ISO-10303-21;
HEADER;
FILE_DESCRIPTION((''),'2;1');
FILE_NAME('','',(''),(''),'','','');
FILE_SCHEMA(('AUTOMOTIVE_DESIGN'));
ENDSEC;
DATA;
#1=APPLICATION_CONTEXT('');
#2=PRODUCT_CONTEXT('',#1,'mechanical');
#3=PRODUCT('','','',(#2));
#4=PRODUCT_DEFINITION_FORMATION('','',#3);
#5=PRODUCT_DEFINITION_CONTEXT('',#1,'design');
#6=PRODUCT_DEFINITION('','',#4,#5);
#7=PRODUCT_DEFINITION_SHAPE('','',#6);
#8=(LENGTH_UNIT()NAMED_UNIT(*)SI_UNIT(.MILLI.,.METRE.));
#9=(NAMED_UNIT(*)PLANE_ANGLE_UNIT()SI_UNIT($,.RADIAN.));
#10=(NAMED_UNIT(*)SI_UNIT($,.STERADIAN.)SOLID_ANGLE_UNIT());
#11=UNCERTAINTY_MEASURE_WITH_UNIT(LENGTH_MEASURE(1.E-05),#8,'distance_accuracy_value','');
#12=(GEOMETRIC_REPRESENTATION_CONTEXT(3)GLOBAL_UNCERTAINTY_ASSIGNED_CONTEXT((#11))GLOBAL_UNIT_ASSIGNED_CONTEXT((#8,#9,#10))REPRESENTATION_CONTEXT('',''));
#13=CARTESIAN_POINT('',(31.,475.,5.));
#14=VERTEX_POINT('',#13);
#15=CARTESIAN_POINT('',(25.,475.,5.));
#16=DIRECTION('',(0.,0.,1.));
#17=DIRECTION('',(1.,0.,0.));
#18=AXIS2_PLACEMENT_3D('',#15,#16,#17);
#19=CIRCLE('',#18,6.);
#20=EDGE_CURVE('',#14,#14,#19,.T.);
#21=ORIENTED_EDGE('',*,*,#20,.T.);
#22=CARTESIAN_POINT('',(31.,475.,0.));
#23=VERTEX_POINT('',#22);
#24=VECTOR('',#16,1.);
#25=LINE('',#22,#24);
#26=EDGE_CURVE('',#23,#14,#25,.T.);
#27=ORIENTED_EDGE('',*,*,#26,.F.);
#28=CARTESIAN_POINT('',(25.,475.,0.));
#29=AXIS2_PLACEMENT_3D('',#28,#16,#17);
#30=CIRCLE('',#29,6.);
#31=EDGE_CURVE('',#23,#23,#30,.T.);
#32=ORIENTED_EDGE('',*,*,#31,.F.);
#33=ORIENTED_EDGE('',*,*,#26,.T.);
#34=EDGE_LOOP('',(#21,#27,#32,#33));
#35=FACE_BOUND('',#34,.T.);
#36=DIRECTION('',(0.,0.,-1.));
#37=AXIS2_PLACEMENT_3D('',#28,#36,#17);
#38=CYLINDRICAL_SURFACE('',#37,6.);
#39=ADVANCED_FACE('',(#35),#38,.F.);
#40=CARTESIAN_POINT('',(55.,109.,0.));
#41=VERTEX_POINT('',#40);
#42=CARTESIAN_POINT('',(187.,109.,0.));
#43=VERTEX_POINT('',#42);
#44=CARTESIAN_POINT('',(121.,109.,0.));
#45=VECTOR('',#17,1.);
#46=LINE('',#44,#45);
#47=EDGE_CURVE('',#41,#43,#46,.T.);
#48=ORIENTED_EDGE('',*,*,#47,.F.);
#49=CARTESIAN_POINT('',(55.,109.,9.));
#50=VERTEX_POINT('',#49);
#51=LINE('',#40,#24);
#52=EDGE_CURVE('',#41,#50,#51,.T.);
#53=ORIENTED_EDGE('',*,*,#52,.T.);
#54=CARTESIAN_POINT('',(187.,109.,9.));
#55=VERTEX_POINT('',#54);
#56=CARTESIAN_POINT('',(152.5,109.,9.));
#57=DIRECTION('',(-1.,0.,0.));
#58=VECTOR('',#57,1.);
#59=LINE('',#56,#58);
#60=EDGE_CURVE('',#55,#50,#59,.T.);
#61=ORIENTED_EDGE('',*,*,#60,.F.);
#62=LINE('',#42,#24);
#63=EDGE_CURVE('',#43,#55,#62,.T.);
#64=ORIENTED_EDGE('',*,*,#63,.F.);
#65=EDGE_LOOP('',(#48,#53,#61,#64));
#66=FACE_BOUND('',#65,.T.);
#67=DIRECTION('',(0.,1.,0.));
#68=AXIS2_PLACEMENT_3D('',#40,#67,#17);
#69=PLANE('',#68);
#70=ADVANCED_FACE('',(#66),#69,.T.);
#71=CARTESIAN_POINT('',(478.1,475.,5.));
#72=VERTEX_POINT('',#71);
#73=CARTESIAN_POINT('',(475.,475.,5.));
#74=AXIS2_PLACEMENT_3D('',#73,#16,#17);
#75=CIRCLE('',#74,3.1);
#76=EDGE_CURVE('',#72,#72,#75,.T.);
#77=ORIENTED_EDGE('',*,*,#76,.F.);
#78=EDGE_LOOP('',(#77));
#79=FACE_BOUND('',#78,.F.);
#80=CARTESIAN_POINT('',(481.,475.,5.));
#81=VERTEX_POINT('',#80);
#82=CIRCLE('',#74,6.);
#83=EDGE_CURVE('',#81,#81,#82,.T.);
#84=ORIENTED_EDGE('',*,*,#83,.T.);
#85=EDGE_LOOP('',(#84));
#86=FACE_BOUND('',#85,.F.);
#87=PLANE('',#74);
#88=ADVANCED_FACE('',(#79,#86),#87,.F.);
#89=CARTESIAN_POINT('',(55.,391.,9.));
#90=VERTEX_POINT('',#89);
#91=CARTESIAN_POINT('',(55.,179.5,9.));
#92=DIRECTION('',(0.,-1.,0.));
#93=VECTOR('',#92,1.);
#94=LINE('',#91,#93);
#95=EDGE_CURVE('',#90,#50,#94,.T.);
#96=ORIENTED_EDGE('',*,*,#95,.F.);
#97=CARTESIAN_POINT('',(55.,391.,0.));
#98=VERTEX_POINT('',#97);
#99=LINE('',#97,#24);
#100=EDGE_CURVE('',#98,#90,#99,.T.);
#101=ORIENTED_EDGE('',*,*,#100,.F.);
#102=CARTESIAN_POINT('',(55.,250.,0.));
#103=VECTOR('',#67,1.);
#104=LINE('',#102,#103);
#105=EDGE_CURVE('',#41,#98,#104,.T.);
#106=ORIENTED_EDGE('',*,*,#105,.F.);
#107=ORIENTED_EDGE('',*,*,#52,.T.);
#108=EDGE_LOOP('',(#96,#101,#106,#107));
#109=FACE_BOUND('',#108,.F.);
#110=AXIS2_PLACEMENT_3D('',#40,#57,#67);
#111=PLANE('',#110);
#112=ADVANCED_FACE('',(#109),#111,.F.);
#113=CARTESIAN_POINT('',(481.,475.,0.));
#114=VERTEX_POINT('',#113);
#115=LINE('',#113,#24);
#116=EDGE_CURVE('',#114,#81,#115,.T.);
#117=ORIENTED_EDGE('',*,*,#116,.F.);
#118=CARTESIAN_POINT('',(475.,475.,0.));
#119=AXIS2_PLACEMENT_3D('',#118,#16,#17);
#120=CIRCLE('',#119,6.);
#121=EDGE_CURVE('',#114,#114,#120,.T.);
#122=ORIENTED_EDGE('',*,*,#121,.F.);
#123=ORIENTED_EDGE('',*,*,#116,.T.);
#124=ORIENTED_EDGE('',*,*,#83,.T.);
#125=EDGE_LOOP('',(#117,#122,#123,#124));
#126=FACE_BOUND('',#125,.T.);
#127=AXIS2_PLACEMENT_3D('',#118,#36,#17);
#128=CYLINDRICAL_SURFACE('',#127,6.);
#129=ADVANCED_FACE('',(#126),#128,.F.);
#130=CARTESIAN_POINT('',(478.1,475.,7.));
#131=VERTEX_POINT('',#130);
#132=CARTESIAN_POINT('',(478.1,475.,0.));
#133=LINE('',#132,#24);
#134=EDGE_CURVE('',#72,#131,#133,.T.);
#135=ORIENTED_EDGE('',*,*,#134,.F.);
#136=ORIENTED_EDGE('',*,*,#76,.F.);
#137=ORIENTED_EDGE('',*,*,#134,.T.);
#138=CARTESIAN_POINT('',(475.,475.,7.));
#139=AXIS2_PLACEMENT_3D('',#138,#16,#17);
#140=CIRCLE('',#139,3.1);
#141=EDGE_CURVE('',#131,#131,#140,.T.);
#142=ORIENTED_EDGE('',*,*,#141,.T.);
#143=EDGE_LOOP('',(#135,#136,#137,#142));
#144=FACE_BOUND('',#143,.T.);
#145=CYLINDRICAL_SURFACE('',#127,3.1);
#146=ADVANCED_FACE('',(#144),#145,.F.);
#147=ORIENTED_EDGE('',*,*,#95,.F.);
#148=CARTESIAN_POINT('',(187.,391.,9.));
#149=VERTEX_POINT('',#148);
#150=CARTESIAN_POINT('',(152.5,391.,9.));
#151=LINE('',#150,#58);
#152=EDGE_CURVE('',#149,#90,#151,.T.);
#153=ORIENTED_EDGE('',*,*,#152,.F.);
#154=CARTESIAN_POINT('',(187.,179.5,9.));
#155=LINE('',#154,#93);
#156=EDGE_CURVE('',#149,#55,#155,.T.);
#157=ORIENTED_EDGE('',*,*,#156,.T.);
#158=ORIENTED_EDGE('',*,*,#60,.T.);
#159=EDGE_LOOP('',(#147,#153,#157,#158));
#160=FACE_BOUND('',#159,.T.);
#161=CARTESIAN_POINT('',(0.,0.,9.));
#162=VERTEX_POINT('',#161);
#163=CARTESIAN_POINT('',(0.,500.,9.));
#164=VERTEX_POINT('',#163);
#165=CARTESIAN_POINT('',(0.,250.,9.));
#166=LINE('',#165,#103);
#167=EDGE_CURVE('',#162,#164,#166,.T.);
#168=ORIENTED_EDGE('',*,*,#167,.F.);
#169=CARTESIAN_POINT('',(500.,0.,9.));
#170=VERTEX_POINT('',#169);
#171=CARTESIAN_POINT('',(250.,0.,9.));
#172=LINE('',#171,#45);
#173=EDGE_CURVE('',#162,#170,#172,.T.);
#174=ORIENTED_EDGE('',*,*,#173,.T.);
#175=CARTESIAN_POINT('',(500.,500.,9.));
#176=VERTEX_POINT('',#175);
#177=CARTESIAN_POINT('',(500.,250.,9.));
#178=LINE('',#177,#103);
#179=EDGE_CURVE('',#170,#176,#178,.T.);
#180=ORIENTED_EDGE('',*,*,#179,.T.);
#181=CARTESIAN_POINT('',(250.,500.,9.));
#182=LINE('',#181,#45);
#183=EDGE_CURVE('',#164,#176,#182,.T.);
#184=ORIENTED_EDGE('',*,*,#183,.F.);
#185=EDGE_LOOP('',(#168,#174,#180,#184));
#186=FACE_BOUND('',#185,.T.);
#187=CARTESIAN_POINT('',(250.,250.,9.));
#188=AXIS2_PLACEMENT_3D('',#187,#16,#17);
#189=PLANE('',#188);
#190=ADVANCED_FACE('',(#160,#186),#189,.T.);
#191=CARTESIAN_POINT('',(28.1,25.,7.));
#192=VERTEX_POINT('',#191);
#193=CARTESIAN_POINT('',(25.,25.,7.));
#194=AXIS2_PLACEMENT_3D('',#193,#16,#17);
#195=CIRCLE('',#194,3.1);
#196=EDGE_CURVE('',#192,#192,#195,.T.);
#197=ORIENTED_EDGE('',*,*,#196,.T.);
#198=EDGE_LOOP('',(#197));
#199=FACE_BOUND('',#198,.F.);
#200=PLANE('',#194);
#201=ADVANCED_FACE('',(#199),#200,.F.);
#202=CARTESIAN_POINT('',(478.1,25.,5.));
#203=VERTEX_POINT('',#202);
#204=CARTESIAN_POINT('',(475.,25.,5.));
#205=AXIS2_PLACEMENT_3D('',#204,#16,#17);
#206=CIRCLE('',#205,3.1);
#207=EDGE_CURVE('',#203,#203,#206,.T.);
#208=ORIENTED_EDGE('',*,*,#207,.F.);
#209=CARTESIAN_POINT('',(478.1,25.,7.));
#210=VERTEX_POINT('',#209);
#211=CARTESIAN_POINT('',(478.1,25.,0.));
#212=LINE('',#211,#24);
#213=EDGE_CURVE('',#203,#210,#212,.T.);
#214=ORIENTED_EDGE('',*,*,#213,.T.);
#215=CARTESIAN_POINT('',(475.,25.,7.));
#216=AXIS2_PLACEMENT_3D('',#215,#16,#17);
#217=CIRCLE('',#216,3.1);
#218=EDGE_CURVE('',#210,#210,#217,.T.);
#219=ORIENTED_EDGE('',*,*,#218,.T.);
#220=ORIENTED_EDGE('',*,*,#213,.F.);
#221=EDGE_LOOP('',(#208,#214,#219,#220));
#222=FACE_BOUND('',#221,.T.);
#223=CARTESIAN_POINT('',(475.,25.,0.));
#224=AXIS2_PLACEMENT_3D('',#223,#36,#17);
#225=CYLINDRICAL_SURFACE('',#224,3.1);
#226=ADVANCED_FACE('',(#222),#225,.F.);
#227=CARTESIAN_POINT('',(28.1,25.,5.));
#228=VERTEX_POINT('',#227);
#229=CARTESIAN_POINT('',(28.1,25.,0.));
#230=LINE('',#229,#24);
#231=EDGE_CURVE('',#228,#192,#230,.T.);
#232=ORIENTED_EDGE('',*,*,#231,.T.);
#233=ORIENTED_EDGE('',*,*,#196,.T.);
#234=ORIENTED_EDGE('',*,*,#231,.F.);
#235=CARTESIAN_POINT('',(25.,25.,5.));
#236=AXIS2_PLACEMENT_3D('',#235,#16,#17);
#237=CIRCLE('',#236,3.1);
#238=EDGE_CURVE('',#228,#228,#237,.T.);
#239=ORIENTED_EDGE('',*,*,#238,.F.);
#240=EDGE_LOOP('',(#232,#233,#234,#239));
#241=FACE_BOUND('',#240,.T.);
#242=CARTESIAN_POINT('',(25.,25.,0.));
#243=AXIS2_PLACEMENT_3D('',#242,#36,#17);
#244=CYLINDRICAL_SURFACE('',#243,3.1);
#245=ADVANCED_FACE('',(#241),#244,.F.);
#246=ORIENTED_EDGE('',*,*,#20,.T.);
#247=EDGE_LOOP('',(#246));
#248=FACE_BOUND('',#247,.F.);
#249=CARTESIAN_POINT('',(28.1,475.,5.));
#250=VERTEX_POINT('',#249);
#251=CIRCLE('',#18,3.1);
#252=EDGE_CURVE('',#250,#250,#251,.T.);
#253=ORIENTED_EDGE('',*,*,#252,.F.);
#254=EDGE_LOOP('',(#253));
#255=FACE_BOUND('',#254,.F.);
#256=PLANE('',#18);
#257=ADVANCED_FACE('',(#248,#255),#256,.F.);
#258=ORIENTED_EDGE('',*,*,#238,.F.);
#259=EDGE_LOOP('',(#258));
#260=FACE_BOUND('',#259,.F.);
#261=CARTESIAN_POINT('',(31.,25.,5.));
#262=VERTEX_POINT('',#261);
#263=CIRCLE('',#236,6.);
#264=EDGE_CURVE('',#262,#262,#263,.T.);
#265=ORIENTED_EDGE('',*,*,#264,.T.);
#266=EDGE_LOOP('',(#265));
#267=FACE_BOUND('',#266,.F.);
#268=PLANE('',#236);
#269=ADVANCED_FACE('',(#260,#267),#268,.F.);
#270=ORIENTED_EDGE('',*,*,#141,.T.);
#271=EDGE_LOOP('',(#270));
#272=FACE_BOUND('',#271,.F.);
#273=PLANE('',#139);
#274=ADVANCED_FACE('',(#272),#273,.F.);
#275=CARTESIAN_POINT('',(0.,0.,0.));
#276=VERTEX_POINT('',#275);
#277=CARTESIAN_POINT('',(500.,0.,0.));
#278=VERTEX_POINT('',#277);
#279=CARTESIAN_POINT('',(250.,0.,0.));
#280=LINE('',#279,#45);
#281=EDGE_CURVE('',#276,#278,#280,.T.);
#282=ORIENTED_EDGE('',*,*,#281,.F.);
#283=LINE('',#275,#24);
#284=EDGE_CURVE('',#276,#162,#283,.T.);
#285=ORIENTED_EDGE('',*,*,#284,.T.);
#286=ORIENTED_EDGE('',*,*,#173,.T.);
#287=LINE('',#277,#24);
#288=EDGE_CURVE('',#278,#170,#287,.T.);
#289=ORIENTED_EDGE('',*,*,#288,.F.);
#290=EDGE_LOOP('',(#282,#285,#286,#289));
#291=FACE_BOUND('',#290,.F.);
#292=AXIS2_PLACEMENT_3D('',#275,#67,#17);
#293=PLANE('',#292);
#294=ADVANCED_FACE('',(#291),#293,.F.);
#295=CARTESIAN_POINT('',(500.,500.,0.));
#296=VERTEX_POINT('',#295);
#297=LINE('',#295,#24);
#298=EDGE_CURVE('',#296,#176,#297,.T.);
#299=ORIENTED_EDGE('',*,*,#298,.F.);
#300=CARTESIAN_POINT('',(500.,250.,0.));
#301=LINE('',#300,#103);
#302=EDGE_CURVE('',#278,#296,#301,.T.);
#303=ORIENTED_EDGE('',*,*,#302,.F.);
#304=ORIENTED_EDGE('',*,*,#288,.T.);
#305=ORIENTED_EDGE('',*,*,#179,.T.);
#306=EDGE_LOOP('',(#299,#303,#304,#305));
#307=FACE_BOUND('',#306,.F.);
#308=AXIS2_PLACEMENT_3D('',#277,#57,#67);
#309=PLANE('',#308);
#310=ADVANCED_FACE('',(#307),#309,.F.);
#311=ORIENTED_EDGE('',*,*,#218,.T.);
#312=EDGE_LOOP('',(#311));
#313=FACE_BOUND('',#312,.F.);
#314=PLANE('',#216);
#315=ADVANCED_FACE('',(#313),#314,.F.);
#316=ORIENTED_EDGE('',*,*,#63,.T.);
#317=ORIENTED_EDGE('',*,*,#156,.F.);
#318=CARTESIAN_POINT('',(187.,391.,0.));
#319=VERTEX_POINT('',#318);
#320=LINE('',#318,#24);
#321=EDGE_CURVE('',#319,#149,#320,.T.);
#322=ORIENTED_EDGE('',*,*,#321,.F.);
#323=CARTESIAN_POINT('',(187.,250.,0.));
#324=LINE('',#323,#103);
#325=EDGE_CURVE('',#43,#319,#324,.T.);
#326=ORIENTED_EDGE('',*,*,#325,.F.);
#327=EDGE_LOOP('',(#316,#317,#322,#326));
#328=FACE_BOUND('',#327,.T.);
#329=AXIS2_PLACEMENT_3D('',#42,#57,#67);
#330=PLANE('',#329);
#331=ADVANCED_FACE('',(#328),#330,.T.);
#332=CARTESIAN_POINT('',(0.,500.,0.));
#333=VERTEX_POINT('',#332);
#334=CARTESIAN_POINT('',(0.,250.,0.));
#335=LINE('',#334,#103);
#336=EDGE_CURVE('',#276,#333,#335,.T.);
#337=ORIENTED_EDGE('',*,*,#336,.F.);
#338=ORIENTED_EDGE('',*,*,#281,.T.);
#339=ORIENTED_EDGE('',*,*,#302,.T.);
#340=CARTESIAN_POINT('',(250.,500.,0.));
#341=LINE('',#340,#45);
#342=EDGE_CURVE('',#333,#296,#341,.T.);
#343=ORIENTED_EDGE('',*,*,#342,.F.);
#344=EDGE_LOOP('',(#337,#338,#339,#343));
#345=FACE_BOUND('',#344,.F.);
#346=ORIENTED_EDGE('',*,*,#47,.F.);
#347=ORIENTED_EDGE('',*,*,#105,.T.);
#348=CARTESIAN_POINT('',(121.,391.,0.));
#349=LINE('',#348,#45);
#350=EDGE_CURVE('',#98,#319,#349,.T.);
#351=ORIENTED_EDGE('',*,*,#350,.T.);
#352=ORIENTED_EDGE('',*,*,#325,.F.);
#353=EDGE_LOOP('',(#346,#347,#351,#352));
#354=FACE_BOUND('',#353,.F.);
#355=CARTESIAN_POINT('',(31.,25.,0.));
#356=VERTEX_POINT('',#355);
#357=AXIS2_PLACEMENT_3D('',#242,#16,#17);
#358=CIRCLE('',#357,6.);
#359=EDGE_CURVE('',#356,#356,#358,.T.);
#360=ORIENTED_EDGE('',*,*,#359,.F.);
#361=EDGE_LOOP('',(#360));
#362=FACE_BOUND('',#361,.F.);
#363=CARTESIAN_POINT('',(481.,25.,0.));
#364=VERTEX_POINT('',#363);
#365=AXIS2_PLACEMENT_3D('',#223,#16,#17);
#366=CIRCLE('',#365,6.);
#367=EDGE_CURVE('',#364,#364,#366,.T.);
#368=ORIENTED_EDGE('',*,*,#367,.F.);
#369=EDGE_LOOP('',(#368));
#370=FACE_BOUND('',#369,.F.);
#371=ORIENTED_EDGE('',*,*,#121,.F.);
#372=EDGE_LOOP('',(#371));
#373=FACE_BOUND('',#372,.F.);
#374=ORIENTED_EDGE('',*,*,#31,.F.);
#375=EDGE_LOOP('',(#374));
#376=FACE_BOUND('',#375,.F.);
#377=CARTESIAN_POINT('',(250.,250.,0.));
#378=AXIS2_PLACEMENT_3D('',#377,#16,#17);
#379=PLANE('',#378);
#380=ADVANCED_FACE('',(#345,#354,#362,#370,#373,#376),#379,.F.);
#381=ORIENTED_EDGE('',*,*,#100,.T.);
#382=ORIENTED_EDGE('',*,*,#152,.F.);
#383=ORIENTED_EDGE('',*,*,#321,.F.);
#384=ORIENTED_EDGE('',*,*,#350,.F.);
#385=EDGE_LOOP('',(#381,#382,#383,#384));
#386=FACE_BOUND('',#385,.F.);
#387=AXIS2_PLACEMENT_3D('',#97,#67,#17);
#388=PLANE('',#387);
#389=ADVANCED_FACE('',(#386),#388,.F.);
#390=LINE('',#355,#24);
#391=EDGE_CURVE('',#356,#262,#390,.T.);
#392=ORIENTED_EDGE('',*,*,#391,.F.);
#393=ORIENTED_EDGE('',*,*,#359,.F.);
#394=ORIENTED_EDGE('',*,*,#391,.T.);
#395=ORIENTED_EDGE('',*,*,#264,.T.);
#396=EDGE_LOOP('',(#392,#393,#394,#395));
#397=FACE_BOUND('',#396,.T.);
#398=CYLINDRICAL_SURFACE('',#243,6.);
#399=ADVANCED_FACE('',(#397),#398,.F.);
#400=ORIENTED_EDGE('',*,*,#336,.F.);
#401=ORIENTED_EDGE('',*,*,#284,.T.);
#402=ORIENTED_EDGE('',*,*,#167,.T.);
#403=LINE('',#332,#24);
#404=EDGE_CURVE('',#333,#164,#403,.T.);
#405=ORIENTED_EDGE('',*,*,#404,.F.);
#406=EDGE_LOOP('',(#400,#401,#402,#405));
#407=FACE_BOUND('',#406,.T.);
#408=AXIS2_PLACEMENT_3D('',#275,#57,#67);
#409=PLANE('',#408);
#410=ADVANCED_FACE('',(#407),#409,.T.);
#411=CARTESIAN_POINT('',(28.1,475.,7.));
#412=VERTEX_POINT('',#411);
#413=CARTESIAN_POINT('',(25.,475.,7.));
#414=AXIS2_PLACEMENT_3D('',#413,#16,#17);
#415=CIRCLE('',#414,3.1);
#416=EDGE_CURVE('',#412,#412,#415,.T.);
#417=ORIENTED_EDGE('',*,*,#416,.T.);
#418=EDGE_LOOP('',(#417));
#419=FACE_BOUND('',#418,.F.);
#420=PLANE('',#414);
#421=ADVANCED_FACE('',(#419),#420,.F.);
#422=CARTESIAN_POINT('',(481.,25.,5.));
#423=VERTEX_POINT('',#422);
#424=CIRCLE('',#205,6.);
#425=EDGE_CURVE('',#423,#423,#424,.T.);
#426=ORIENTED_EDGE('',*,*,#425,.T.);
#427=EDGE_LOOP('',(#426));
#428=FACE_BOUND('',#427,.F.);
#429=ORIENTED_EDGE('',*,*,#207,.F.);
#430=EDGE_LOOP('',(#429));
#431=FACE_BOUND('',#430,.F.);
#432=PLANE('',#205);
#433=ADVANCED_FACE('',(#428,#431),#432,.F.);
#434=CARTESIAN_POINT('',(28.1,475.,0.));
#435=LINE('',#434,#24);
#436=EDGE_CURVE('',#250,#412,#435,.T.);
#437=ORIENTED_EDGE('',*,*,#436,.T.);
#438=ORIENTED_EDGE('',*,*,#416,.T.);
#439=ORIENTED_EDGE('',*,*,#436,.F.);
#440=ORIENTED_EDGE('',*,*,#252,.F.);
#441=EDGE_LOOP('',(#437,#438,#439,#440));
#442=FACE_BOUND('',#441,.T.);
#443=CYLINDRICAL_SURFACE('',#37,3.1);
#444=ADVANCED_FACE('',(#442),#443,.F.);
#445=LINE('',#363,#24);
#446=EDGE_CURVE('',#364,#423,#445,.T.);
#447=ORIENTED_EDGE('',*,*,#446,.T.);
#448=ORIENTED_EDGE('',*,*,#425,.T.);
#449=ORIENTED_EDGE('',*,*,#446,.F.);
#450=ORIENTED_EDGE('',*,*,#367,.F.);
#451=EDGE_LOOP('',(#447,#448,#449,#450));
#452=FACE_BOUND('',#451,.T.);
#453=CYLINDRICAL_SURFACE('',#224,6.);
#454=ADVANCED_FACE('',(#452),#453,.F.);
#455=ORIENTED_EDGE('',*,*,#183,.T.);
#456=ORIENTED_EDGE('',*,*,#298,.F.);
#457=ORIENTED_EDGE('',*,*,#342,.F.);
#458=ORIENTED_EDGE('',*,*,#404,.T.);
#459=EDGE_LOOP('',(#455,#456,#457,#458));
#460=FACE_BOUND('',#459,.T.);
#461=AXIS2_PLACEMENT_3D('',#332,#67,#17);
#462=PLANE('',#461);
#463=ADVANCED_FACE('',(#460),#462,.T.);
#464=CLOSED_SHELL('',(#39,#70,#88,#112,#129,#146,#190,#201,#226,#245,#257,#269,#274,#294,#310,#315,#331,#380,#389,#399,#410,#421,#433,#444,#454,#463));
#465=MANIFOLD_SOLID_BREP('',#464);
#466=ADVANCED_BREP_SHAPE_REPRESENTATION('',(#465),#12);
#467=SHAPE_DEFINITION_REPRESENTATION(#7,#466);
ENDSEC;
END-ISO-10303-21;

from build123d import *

# Parameters (mm, degrees)
F0_W     = 500
F0_H     = 500
F0_R     = 6
F0_W_2   = 132
F0_H_2   = 282
F0_R_2   = 3.1
F1_DEPTH = 9
F2_DEPTH = 7
F3_DEPTH = 5
F4_DEPTH = 25


with BuildPart() as f1:
    # F0 (on Top) → F1 (new body)
    with BuildSketch(Plane.XY):
        with Locations((250, 250)):
            Rectangle(F0_W, F0_H)
        with Locations((25, 25)):
            Circle(F0_R, mode=Mode.SUBTRACT)
        with Locations((475, 25)):
            Circle(F0_R, mode=Mode.SUBTRACT)
        with Locations((121, 250)):
            Rectangle(F0_W_2, F0_H_2, mode=Mode.SUBTRACT)
        with Locations((25, 475)):
            Circle(F0_R, mode=Mode.SUBTRACT)
        with Locations((475, 475)):
            Circle(F0_R, mode=Mode.SUBTRACT)
        with Locations((121, 250)):
            Rectangle(F0_W_2, F0_H_2)
        with Locations((475, 25)):
            Circle(F0_R)
        with Locations((475, 25)):
            Circle(F0_R_2, mode=Mode.SUBTRACT)
        with Locations((25, 25)):
            Circle(F0_R)
        with Locations((25, 25)):
            Circle(F0_R_2, mode=Mode.SUBTRACT)
        with Locations((25, 475)):
            Circle(F0_R)
        with Locations((25, 475)):
            Circle(F0_R_2, mode=Mode.SUBTRACT)
        with Locations((475, 475)):
            Circle(F0_R)
        with Locations((475, 475)):
            Circle(F0_R_2, mode=Mode.SUBTRACT)
        with Locations((475, 25)):
            Circle(F0_R_2)
        with Locations((475, 475)):
            Circle(F0_R_2)
        with Locations((25, 475)):
            Circle(F0_R_2)
        with Locations((25, 25)):
            Circle(F0_R_2)
    extrude(amount=F1_DEPTH)

    # F0 (on Top) → F2 (cut)
    with BuildSketch(Plane.XY):
        with Locations((475, 25)):
            Circle(F0_R_2)
        with Locations((475, 475)):
            Circle(F0_R_2)
        with Locations((25, 475)):
            Circle(F0_R_2)
        with Locations((25, 25)):
            Circle(F0_R_2)
    extrude(amount=F2_DEPTH, mode=Mode.SUBTRACT)

    # F0 (on Top) → F3 (cut)
    with BuildSketch(Plane.XY):
        with Locations((475, 475)):
            Circle(F0_R)
        with Locations((475, 475)):
            Circle(F0_R_2, mode=Mode.SUBTRACT)
        with Locations((25, 475)):
            Circle(F0_R)
        with Locations((25, 475)):
            Circle(F0_R_2, mode=Mode.SUBTRACT)
        with Locations((25, 25)):
            Circle(F0_R)
        with Locations((25, 25)):
            Circle(F0_R_2, mode=Mode.SUBTRACT)
        with Locations((475, 25)):
            Circle(F0_R)
        with Locations((475, 25)):
            Circle(F0_R_2, mode=Mode.SUBTRACT)
    extrude(amount=F3_DEPTH, mode=Mode.SUBTRACT)

    # F0 (on Top) → F4 (cut)
    with BuildSketch(Plane.XY):
        with Locations((121, 250)):
            Rectangle(F0_W_2, F0_H_2)
    extrude(amount=F4_DEPTH, mode=Mode.SUBTRACT)


solid = f1.part
